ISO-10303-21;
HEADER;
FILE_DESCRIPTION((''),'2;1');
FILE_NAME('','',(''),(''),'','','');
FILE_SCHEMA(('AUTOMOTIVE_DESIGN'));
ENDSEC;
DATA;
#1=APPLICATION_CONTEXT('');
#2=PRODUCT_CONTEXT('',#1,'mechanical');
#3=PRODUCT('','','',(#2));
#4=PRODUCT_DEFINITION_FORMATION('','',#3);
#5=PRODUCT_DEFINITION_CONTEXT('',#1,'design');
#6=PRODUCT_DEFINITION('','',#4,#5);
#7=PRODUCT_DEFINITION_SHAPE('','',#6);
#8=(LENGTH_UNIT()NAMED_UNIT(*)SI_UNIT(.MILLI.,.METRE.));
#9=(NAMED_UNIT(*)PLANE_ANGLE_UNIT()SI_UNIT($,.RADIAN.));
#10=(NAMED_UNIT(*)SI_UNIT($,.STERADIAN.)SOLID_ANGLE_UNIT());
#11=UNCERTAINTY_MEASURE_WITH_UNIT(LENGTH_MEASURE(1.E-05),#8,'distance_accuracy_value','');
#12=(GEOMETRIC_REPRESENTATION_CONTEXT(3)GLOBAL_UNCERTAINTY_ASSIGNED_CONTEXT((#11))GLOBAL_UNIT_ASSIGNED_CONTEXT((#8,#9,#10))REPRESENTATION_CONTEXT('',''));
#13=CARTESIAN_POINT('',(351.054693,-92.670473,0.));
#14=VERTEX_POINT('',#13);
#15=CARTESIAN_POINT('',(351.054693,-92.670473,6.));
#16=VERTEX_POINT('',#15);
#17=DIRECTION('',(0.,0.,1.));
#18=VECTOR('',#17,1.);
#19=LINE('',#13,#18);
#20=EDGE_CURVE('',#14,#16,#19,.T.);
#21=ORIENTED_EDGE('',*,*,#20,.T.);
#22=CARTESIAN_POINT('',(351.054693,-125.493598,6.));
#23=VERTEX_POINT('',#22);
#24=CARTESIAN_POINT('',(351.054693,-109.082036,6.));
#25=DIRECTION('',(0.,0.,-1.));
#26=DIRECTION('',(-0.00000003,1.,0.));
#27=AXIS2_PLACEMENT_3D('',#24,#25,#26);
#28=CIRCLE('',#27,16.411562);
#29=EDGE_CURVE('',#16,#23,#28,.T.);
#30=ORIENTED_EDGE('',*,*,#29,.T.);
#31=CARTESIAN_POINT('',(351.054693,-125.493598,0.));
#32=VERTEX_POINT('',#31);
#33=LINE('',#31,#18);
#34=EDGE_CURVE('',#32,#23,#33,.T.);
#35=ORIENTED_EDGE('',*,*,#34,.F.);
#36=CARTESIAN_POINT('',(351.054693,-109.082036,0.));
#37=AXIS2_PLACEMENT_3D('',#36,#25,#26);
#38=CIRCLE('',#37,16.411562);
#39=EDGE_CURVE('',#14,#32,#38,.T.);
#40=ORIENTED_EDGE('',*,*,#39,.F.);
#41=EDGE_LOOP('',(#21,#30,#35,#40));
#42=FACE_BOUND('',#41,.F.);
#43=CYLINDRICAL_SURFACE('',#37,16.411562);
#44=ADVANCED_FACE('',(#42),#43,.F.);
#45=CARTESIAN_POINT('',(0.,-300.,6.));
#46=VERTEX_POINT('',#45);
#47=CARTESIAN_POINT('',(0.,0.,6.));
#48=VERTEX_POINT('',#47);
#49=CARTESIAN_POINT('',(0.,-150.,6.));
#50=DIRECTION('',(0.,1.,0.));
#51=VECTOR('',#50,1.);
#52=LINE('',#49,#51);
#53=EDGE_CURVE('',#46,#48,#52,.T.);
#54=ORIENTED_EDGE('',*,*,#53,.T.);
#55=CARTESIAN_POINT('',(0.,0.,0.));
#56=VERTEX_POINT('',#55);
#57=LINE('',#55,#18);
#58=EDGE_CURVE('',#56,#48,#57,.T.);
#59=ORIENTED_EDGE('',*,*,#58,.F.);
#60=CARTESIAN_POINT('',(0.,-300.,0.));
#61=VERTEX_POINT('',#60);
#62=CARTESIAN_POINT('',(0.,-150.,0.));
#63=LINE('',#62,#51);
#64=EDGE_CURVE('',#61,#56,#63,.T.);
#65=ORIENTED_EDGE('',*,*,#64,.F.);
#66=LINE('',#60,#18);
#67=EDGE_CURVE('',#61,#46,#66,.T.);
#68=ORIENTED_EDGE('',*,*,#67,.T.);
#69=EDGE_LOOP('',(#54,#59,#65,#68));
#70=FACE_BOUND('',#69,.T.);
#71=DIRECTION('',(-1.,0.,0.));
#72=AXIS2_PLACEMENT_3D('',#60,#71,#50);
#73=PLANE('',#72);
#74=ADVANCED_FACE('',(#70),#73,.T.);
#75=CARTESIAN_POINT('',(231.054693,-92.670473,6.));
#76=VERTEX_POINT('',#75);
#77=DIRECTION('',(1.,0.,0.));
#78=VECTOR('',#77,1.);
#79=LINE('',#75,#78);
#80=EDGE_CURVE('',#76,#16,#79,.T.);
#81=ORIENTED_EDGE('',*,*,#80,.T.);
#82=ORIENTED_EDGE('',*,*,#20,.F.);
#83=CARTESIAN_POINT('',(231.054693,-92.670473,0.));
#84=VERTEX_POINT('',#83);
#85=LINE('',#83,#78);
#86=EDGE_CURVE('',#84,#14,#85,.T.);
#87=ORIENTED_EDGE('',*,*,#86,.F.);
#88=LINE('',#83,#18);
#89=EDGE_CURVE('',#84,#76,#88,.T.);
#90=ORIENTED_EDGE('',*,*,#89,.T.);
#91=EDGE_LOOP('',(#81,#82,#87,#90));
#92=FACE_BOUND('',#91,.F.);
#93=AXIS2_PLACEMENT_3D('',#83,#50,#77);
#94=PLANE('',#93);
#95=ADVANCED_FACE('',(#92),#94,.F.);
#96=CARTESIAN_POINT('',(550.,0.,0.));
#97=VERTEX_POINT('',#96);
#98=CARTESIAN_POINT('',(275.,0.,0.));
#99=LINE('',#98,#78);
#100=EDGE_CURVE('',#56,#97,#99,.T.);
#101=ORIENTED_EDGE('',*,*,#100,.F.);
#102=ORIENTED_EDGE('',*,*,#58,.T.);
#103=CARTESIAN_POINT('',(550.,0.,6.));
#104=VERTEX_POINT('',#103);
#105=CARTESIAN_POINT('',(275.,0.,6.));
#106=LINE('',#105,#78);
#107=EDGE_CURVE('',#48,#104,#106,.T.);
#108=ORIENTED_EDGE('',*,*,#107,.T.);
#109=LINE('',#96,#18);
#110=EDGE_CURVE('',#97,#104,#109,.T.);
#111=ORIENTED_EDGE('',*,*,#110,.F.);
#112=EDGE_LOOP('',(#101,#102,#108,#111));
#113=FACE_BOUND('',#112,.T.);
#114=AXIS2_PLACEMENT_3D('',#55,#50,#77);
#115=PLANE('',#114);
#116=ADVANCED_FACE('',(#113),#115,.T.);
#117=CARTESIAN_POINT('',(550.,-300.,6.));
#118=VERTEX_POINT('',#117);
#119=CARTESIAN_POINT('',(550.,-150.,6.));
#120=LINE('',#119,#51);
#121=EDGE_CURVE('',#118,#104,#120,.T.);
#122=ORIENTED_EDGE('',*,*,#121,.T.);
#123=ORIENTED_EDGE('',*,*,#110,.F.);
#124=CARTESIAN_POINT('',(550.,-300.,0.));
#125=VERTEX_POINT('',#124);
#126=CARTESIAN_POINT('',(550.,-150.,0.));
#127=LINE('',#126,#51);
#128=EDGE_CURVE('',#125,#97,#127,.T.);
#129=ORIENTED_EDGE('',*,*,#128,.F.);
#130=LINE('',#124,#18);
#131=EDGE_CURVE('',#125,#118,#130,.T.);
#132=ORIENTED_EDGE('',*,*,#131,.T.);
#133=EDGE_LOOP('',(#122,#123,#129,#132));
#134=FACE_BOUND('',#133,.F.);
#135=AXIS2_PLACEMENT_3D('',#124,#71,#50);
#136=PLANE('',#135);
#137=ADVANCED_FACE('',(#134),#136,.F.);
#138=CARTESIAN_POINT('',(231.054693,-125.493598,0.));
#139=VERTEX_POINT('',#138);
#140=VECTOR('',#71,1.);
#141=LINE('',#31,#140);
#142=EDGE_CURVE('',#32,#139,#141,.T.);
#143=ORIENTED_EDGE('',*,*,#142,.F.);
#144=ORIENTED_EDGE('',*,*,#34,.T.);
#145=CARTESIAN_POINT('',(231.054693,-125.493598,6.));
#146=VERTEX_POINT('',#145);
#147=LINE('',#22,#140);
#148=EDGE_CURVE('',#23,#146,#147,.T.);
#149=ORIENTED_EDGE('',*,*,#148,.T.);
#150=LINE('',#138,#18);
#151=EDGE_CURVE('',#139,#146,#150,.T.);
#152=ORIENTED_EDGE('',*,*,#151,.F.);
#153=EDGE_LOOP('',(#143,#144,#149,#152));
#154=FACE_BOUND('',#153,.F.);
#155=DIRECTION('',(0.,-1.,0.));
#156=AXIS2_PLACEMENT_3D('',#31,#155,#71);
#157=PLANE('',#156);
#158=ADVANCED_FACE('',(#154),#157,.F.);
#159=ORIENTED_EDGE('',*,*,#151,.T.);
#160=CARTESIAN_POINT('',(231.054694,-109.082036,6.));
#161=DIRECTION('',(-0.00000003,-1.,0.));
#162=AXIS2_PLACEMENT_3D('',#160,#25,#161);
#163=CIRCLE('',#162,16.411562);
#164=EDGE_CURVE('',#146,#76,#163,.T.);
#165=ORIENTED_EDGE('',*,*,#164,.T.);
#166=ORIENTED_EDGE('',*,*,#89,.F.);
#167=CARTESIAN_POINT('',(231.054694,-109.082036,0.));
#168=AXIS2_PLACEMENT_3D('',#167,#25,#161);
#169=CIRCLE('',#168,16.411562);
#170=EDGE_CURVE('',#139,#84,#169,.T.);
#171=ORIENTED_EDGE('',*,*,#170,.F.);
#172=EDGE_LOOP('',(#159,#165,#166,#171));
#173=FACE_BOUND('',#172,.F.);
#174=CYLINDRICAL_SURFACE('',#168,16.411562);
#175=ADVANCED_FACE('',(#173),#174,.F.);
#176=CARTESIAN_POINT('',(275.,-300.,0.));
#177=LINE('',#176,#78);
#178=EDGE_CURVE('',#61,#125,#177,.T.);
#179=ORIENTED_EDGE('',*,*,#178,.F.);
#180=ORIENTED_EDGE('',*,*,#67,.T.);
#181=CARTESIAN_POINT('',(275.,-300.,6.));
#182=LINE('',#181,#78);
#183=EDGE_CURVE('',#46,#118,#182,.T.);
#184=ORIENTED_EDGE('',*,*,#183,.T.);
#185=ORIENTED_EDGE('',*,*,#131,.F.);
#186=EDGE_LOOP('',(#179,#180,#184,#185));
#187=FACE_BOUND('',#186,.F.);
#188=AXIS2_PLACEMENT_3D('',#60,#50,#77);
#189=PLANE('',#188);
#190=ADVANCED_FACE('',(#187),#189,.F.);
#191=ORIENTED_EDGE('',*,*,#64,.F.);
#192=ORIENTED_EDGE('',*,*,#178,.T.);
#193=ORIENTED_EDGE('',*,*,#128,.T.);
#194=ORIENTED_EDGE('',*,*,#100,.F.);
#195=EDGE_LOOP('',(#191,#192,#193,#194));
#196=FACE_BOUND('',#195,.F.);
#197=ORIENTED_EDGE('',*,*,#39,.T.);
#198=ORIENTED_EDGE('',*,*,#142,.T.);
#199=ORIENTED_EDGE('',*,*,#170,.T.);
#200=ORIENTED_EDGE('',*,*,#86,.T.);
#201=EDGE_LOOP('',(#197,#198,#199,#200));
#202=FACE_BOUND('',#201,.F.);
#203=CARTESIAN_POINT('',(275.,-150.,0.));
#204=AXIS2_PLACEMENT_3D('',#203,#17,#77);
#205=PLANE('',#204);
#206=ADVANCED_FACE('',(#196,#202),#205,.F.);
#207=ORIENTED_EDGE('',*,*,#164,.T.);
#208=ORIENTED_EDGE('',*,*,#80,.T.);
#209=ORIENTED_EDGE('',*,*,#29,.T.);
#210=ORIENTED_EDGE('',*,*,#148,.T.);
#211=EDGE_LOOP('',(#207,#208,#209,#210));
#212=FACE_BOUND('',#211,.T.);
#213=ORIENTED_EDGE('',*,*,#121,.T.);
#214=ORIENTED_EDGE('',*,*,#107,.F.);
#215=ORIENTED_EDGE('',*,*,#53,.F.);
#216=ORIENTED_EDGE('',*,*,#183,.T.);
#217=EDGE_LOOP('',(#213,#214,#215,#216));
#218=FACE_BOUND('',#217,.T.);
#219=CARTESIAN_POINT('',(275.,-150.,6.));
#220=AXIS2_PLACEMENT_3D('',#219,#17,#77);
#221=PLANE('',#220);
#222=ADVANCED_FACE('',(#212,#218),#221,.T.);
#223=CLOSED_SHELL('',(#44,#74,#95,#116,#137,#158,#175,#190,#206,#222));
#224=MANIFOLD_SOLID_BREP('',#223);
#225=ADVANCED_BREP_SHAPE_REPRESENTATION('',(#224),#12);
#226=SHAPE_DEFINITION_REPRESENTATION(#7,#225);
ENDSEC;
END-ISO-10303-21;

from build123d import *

# Parameters (mm, degrees)
F0_W     = 550
F0_H     = 300
F1_DEPTH = 6


with BuildPart() as f1:
    # F0 (on Top) → F1 (new body)
    with BuildSketch(Plane.XY):
        with Locations((275, -150)):
            Rectangle(F0_W, F0_H)
        with BuildLine():
            ThreePointArc((231.054693, -125.493598), (214.643131, -109.082036), (231.054693, -92.670473))
            Line((231.054693, -92.670473), (351.054693, -92.670473))
            ThreePointArc((351.054693, -92.670473), (367.466256, -109.082036), (351.054693, -125.493598))
            Line((351.054693, -125.493598), (231.054693, -125.493598))
        make_face(mode=Mode.SUBTRACT)
    extrude(amount=F1_DEPTH)


solid = f1.part
